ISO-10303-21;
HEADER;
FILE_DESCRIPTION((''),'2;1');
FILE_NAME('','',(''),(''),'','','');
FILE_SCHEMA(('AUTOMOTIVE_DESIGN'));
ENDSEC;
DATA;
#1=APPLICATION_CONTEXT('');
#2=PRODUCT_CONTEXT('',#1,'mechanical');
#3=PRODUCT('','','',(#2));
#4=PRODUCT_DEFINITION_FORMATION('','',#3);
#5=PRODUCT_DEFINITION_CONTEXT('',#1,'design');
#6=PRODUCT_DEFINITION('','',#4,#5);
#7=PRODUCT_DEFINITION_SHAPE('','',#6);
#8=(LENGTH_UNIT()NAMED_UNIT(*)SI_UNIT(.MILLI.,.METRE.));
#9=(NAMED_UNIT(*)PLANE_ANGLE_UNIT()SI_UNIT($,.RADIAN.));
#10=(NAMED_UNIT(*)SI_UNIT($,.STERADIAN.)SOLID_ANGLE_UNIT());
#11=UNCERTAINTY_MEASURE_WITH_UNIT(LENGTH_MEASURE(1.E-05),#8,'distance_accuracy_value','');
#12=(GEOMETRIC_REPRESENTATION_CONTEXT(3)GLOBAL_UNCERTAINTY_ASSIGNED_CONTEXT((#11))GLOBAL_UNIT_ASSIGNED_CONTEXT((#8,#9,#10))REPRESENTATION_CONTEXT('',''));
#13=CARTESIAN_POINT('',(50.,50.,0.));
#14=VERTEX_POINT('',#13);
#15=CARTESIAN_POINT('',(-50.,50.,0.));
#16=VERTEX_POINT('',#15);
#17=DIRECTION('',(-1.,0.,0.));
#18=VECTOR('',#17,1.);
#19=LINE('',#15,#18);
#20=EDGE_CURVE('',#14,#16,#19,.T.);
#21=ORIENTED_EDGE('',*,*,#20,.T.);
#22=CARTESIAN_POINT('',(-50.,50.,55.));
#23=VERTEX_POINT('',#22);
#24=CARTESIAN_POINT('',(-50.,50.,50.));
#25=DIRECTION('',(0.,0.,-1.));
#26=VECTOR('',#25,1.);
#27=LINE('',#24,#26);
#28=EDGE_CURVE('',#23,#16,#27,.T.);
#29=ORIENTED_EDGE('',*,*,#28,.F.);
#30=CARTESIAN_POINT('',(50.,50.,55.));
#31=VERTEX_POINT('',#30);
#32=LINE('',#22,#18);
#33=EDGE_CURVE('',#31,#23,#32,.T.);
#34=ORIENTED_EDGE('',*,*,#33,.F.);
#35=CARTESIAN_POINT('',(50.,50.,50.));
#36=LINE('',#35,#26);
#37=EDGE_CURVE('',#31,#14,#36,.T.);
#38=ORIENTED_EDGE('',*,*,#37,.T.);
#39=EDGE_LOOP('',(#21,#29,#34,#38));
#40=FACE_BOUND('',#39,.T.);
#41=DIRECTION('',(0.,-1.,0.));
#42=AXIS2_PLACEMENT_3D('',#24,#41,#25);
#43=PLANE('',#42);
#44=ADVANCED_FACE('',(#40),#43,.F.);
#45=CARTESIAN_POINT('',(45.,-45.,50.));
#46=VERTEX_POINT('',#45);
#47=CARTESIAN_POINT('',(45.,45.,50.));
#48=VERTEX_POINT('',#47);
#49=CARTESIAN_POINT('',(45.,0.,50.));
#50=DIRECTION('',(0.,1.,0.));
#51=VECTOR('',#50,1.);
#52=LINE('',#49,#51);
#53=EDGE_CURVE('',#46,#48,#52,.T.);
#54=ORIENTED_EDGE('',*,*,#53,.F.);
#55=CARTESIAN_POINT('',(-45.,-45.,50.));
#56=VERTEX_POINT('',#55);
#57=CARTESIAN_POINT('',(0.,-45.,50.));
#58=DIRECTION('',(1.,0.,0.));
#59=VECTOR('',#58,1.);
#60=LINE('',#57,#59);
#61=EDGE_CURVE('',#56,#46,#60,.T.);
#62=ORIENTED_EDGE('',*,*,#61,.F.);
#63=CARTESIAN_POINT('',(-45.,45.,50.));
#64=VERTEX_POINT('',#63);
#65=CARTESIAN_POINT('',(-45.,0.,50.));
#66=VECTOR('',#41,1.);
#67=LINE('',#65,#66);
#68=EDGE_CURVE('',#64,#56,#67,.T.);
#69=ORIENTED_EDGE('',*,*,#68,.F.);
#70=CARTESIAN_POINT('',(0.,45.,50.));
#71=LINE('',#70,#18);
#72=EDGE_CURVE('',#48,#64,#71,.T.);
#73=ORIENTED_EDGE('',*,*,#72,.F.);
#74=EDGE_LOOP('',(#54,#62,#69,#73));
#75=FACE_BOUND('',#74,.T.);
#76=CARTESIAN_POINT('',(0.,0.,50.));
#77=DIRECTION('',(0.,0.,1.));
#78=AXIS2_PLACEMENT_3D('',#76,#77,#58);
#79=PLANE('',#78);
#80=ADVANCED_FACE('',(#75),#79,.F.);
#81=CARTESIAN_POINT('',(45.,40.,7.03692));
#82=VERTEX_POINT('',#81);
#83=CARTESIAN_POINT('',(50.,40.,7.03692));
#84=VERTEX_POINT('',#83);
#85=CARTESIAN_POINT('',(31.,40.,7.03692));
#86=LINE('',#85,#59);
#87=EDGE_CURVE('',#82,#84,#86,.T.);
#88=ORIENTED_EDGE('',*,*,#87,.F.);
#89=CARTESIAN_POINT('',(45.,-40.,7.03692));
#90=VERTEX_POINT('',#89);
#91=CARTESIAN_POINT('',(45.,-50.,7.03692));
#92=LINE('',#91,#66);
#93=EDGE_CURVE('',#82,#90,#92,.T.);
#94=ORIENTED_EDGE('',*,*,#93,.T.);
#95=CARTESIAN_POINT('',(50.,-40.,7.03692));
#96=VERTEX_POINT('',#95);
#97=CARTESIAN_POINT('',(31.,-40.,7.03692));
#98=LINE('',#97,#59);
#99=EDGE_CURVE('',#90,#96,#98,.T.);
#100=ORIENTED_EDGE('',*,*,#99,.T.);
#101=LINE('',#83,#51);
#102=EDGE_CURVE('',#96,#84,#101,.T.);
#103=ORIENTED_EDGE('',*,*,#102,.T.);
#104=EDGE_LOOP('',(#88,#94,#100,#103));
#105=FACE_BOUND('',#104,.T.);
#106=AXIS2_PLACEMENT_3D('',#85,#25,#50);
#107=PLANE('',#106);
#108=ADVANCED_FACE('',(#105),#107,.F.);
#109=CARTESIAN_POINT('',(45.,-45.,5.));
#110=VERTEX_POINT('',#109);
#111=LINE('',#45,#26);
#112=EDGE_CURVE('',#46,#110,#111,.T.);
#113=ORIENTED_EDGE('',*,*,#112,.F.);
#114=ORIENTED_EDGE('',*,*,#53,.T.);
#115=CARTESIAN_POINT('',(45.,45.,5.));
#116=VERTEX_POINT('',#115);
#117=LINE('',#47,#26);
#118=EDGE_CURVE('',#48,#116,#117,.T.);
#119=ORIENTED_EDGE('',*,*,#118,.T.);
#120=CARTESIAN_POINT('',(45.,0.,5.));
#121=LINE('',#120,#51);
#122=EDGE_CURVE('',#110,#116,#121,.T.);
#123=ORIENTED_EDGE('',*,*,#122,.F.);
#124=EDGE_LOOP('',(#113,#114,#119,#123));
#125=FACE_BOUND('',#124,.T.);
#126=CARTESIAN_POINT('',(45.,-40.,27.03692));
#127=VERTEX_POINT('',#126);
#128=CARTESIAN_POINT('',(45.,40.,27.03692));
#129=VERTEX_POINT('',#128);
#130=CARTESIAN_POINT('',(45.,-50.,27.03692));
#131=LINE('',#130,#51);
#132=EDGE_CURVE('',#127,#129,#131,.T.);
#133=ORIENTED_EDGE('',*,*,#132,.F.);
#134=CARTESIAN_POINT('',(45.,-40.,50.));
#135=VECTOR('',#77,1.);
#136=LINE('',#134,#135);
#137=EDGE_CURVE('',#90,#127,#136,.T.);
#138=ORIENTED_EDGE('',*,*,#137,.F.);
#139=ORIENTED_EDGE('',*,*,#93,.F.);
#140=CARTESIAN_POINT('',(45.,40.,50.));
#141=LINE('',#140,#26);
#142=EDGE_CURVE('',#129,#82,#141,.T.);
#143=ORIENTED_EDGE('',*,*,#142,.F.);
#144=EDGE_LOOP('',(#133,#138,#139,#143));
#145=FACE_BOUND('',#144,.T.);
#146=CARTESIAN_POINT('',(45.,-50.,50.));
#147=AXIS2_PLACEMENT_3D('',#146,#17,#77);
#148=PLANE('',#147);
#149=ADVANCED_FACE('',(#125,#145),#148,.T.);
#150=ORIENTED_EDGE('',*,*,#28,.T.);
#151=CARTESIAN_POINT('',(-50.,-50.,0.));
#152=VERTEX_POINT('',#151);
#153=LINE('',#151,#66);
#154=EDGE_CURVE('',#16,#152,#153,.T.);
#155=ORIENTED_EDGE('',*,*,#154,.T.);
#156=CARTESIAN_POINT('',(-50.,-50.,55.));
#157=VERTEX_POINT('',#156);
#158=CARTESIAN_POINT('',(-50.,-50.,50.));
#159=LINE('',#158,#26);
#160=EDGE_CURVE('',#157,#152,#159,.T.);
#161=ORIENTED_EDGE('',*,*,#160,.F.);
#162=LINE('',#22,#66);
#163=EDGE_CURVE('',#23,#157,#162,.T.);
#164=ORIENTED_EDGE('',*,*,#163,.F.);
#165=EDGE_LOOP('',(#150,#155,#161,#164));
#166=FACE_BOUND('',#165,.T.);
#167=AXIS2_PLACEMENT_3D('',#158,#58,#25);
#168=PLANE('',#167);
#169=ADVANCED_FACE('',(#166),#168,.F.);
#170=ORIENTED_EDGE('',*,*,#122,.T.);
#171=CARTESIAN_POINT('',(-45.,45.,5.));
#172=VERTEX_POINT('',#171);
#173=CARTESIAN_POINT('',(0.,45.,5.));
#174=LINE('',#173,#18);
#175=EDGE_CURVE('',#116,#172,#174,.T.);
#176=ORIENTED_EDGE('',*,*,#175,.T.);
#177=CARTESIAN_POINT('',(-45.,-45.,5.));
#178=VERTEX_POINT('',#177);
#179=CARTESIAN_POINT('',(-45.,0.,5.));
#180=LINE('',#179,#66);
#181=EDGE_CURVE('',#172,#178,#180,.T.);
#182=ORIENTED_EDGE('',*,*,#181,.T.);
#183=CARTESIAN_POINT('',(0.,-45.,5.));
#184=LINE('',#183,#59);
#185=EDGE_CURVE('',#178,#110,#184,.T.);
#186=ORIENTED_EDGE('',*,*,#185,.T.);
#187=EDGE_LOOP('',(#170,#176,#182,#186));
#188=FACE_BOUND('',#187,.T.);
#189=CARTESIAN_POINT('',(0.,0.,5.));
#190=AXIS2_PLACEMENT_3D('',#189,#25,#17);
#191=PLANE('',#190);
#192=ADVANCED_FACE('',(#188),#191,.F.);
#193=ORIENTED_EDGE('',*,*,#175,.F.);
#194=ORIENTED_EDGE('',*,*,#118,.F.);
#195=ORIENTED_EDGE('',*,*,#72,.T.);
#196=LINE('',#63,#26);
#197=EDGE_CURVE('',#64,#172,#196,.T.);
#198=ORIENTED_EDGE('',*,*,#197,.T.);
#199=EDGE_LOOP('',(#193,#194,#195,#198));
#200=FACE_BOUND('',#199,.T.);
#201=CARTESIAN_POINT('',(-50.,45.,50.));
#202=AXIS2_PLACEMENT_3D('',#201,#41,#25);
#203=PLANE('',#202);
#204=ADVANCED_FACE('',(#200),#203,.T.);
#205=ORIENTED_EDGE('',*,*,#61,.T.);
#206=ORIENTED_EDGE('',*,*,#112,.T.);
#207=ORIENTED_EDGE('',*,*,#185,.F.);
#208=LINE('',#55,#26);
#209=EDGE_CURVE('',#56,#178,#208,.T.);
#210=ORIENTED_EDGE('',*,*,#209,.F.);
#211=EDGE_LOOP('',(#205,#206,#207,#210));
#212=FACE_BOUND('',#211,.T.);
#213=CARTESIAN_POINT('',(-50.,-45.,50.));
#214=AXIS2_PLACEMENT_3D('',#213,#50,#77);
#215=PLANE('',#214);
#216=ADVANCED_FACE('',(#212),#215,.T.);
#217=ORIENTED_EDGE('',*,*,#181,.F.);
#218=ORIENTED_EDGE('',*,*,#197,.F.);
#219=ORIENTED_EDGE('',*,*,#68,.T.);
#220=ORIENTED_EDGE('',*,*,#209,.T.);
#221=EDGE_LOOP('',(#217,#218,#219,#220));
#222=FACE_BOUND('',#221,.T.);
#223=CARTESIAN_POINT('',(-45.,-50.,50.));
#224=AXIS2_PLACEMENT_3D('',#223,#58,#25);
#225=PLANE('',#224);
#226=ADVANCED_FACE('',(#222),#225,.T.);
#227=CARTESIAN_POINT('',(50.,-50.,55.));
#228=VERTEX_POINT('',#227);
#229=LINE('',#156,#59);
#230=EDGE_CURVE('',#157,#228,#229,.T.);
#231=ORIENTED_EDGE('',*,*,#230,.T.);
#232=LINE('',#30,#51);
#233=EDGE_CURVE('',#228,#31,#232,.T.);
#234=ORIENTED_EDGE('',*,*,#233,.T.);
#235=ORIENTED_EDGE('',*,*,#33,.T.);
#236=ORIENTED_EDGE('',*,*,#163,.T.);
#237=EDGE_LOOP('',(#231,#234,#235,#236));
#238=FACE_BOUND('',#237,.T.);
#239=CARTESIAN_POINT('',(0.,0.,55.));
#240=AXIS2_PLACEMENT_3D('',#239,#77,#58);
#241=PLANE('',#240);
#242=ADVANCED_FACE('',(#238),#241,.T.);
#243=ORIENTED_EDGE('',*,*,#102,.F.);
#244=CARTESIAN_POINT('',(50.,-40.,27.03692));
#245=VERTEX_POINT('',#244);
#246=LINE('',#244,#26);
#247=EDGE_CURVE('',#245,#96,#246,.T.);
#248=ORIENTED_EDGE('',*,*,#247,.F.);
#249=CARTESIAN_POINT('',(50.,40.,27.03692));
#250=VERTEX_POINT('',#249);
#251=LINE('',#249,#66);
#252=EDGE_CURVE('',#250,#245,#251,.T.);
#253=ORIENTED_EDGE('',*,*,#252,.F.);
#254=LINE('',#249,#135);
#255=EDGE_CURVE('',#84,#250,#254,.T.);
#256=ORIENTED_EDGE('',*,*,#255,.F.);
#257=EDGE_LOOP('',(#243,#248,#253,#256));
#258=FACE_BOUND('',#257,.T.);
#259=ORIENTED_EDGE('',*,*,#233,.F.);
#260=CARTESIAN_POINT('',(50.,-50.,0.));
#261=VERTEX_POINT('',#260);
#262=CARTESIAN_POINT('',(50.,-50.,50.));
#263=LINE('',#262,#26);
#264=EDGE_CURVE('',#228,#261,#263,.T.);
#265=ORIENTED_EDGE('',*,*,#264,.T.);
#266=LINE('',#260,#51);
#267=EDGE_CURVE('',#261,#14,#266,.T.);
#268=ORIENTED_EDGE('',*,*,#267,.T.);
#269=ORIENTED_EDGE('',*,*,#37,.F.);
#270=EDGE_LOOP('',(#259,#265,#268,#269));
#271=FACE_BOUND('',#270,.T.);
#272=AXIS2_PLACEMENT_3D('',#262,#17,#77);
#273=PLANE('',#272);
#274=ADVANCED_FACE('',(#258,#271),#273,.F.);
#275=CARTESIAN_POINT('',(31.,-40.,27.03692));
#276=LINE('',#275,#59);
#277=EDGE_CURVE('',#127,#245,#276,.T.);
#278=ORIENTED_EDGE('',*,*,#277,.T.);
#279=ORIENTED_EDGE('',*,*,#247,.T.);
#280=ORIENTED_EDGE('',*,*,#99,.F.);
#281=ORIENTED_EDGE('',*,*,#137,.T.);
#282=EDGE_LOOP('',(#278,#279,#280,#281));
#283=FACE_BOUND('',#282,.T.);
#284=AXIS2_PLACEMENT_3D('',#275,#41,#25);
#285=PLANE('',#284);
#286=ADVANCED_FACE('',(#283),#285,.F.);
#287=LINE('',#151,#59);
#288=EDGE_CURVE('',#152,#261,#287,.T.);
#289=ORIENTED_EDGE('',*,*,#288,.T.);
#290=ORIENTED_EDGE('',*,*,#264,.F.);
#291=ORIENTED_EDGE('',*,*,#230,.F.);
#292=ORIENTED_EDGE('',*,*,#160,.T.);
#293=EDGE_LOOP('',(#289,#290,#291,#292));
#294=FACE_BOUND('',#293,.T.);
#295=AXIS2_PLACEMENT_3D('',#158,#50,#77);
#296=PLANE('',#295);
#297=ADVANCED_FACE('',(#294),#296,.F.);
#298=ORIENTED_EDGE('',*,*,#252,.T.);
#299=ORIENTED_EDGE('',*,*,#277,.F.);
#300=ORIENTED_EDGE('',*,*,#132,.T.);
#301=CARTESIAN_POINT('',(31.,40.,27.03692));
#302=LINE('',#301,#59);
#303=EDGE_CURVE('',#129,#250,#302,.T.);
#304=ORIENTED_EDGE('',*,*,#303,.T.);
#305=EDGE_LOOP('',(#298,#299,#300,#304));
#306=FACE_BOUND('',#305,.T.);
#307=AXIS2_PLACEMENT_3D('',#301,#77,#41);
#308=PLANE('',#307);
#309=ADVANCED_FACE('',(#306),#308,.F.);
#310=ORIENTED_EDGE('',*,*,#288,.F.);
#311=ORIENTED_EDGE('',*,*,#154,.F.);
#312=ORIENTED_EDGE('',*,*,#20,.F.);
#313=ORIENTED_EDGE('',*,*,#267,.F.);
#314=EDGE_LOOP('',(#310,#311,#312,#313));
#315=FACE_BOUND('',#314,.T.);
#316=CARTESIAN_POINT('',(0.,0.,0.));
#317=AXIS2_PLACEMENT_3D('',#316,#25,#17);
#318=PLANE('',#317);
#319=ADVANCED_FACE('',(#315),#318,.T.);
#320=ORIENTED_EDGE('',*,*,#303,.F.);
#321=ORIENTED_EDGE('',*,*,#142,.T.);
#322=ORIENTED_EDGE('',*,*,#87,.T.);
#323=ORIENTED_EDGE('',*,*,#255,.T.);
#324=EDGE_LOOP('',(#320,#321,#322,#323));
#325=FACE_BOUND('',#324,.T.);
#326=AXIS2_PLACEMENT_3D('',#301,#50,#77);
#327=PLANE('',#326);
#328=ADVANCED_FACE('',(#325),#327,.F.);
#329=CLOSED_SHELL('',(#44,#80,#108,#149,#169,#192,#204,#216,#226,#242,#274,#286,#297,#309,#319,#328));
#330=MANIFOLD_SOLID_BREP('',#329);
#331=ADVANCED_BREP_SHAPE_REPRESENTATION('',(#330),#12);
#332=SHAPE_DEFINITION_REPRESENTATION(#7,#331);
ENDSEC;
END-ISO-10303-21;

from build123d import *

# Parameters (mm, degrees)
SKETCH1_W           = 100
SKETCH1_H           = 100
BOSS_EXTRUDE1_DEPTH = 50
SHELL1_T            = -5
SKETCH2_W           = 20
SKETCH2_H           = 80
CUT_EXTRUDE1_DEPTH  = 19
SKETCH3_W           = 100
SKETCH3_H           = 100
BOSS_EXTRUDE2_DEPTH = 5


with BuildPart() as part:
    # Sketch1 → Boss-Extrude1 (new body)
    with BuildSketch(Plane.XY):
        Rectangle(SKETCH1_W, SKETCH1_H)
    extrude(amount=BOSS_EXTRUDE1_DEPTH)

    # Shell1
    shell1_openings = [part.faces().sort_by_distance(p)[0] for p in [
        (0, 0, 50),
    ]]
    offset(amount=SHELL1_T, openings=shell1_openings, kind=Kind.INTERSECTION)

    # Sketch2 → Cut-Extrude1 (cut)
    with BuildSketch(Plane(origin=(50, 0, 0), x_dir=(0, 0, -1), z_dir=(1, 0, 0))):
        with Locations((-17.036919811, 0)):
            Rectangle(SKETCH2_W, SKETCH2_H)
    extrude(amount=-CUT_EXTRUDE1_DEPTH, mode=Mode.SUBTRACT)

    # Sketch3 → Boss-Extrude2 (add)
    with BuildSketch(Plane.XY.offset(50)):
        Rectangle(SKETCH3_W, SKETCH3_H)
    extrude(amount=BOSS_EXTRUDE2_DEPTH)


solid = part.part
